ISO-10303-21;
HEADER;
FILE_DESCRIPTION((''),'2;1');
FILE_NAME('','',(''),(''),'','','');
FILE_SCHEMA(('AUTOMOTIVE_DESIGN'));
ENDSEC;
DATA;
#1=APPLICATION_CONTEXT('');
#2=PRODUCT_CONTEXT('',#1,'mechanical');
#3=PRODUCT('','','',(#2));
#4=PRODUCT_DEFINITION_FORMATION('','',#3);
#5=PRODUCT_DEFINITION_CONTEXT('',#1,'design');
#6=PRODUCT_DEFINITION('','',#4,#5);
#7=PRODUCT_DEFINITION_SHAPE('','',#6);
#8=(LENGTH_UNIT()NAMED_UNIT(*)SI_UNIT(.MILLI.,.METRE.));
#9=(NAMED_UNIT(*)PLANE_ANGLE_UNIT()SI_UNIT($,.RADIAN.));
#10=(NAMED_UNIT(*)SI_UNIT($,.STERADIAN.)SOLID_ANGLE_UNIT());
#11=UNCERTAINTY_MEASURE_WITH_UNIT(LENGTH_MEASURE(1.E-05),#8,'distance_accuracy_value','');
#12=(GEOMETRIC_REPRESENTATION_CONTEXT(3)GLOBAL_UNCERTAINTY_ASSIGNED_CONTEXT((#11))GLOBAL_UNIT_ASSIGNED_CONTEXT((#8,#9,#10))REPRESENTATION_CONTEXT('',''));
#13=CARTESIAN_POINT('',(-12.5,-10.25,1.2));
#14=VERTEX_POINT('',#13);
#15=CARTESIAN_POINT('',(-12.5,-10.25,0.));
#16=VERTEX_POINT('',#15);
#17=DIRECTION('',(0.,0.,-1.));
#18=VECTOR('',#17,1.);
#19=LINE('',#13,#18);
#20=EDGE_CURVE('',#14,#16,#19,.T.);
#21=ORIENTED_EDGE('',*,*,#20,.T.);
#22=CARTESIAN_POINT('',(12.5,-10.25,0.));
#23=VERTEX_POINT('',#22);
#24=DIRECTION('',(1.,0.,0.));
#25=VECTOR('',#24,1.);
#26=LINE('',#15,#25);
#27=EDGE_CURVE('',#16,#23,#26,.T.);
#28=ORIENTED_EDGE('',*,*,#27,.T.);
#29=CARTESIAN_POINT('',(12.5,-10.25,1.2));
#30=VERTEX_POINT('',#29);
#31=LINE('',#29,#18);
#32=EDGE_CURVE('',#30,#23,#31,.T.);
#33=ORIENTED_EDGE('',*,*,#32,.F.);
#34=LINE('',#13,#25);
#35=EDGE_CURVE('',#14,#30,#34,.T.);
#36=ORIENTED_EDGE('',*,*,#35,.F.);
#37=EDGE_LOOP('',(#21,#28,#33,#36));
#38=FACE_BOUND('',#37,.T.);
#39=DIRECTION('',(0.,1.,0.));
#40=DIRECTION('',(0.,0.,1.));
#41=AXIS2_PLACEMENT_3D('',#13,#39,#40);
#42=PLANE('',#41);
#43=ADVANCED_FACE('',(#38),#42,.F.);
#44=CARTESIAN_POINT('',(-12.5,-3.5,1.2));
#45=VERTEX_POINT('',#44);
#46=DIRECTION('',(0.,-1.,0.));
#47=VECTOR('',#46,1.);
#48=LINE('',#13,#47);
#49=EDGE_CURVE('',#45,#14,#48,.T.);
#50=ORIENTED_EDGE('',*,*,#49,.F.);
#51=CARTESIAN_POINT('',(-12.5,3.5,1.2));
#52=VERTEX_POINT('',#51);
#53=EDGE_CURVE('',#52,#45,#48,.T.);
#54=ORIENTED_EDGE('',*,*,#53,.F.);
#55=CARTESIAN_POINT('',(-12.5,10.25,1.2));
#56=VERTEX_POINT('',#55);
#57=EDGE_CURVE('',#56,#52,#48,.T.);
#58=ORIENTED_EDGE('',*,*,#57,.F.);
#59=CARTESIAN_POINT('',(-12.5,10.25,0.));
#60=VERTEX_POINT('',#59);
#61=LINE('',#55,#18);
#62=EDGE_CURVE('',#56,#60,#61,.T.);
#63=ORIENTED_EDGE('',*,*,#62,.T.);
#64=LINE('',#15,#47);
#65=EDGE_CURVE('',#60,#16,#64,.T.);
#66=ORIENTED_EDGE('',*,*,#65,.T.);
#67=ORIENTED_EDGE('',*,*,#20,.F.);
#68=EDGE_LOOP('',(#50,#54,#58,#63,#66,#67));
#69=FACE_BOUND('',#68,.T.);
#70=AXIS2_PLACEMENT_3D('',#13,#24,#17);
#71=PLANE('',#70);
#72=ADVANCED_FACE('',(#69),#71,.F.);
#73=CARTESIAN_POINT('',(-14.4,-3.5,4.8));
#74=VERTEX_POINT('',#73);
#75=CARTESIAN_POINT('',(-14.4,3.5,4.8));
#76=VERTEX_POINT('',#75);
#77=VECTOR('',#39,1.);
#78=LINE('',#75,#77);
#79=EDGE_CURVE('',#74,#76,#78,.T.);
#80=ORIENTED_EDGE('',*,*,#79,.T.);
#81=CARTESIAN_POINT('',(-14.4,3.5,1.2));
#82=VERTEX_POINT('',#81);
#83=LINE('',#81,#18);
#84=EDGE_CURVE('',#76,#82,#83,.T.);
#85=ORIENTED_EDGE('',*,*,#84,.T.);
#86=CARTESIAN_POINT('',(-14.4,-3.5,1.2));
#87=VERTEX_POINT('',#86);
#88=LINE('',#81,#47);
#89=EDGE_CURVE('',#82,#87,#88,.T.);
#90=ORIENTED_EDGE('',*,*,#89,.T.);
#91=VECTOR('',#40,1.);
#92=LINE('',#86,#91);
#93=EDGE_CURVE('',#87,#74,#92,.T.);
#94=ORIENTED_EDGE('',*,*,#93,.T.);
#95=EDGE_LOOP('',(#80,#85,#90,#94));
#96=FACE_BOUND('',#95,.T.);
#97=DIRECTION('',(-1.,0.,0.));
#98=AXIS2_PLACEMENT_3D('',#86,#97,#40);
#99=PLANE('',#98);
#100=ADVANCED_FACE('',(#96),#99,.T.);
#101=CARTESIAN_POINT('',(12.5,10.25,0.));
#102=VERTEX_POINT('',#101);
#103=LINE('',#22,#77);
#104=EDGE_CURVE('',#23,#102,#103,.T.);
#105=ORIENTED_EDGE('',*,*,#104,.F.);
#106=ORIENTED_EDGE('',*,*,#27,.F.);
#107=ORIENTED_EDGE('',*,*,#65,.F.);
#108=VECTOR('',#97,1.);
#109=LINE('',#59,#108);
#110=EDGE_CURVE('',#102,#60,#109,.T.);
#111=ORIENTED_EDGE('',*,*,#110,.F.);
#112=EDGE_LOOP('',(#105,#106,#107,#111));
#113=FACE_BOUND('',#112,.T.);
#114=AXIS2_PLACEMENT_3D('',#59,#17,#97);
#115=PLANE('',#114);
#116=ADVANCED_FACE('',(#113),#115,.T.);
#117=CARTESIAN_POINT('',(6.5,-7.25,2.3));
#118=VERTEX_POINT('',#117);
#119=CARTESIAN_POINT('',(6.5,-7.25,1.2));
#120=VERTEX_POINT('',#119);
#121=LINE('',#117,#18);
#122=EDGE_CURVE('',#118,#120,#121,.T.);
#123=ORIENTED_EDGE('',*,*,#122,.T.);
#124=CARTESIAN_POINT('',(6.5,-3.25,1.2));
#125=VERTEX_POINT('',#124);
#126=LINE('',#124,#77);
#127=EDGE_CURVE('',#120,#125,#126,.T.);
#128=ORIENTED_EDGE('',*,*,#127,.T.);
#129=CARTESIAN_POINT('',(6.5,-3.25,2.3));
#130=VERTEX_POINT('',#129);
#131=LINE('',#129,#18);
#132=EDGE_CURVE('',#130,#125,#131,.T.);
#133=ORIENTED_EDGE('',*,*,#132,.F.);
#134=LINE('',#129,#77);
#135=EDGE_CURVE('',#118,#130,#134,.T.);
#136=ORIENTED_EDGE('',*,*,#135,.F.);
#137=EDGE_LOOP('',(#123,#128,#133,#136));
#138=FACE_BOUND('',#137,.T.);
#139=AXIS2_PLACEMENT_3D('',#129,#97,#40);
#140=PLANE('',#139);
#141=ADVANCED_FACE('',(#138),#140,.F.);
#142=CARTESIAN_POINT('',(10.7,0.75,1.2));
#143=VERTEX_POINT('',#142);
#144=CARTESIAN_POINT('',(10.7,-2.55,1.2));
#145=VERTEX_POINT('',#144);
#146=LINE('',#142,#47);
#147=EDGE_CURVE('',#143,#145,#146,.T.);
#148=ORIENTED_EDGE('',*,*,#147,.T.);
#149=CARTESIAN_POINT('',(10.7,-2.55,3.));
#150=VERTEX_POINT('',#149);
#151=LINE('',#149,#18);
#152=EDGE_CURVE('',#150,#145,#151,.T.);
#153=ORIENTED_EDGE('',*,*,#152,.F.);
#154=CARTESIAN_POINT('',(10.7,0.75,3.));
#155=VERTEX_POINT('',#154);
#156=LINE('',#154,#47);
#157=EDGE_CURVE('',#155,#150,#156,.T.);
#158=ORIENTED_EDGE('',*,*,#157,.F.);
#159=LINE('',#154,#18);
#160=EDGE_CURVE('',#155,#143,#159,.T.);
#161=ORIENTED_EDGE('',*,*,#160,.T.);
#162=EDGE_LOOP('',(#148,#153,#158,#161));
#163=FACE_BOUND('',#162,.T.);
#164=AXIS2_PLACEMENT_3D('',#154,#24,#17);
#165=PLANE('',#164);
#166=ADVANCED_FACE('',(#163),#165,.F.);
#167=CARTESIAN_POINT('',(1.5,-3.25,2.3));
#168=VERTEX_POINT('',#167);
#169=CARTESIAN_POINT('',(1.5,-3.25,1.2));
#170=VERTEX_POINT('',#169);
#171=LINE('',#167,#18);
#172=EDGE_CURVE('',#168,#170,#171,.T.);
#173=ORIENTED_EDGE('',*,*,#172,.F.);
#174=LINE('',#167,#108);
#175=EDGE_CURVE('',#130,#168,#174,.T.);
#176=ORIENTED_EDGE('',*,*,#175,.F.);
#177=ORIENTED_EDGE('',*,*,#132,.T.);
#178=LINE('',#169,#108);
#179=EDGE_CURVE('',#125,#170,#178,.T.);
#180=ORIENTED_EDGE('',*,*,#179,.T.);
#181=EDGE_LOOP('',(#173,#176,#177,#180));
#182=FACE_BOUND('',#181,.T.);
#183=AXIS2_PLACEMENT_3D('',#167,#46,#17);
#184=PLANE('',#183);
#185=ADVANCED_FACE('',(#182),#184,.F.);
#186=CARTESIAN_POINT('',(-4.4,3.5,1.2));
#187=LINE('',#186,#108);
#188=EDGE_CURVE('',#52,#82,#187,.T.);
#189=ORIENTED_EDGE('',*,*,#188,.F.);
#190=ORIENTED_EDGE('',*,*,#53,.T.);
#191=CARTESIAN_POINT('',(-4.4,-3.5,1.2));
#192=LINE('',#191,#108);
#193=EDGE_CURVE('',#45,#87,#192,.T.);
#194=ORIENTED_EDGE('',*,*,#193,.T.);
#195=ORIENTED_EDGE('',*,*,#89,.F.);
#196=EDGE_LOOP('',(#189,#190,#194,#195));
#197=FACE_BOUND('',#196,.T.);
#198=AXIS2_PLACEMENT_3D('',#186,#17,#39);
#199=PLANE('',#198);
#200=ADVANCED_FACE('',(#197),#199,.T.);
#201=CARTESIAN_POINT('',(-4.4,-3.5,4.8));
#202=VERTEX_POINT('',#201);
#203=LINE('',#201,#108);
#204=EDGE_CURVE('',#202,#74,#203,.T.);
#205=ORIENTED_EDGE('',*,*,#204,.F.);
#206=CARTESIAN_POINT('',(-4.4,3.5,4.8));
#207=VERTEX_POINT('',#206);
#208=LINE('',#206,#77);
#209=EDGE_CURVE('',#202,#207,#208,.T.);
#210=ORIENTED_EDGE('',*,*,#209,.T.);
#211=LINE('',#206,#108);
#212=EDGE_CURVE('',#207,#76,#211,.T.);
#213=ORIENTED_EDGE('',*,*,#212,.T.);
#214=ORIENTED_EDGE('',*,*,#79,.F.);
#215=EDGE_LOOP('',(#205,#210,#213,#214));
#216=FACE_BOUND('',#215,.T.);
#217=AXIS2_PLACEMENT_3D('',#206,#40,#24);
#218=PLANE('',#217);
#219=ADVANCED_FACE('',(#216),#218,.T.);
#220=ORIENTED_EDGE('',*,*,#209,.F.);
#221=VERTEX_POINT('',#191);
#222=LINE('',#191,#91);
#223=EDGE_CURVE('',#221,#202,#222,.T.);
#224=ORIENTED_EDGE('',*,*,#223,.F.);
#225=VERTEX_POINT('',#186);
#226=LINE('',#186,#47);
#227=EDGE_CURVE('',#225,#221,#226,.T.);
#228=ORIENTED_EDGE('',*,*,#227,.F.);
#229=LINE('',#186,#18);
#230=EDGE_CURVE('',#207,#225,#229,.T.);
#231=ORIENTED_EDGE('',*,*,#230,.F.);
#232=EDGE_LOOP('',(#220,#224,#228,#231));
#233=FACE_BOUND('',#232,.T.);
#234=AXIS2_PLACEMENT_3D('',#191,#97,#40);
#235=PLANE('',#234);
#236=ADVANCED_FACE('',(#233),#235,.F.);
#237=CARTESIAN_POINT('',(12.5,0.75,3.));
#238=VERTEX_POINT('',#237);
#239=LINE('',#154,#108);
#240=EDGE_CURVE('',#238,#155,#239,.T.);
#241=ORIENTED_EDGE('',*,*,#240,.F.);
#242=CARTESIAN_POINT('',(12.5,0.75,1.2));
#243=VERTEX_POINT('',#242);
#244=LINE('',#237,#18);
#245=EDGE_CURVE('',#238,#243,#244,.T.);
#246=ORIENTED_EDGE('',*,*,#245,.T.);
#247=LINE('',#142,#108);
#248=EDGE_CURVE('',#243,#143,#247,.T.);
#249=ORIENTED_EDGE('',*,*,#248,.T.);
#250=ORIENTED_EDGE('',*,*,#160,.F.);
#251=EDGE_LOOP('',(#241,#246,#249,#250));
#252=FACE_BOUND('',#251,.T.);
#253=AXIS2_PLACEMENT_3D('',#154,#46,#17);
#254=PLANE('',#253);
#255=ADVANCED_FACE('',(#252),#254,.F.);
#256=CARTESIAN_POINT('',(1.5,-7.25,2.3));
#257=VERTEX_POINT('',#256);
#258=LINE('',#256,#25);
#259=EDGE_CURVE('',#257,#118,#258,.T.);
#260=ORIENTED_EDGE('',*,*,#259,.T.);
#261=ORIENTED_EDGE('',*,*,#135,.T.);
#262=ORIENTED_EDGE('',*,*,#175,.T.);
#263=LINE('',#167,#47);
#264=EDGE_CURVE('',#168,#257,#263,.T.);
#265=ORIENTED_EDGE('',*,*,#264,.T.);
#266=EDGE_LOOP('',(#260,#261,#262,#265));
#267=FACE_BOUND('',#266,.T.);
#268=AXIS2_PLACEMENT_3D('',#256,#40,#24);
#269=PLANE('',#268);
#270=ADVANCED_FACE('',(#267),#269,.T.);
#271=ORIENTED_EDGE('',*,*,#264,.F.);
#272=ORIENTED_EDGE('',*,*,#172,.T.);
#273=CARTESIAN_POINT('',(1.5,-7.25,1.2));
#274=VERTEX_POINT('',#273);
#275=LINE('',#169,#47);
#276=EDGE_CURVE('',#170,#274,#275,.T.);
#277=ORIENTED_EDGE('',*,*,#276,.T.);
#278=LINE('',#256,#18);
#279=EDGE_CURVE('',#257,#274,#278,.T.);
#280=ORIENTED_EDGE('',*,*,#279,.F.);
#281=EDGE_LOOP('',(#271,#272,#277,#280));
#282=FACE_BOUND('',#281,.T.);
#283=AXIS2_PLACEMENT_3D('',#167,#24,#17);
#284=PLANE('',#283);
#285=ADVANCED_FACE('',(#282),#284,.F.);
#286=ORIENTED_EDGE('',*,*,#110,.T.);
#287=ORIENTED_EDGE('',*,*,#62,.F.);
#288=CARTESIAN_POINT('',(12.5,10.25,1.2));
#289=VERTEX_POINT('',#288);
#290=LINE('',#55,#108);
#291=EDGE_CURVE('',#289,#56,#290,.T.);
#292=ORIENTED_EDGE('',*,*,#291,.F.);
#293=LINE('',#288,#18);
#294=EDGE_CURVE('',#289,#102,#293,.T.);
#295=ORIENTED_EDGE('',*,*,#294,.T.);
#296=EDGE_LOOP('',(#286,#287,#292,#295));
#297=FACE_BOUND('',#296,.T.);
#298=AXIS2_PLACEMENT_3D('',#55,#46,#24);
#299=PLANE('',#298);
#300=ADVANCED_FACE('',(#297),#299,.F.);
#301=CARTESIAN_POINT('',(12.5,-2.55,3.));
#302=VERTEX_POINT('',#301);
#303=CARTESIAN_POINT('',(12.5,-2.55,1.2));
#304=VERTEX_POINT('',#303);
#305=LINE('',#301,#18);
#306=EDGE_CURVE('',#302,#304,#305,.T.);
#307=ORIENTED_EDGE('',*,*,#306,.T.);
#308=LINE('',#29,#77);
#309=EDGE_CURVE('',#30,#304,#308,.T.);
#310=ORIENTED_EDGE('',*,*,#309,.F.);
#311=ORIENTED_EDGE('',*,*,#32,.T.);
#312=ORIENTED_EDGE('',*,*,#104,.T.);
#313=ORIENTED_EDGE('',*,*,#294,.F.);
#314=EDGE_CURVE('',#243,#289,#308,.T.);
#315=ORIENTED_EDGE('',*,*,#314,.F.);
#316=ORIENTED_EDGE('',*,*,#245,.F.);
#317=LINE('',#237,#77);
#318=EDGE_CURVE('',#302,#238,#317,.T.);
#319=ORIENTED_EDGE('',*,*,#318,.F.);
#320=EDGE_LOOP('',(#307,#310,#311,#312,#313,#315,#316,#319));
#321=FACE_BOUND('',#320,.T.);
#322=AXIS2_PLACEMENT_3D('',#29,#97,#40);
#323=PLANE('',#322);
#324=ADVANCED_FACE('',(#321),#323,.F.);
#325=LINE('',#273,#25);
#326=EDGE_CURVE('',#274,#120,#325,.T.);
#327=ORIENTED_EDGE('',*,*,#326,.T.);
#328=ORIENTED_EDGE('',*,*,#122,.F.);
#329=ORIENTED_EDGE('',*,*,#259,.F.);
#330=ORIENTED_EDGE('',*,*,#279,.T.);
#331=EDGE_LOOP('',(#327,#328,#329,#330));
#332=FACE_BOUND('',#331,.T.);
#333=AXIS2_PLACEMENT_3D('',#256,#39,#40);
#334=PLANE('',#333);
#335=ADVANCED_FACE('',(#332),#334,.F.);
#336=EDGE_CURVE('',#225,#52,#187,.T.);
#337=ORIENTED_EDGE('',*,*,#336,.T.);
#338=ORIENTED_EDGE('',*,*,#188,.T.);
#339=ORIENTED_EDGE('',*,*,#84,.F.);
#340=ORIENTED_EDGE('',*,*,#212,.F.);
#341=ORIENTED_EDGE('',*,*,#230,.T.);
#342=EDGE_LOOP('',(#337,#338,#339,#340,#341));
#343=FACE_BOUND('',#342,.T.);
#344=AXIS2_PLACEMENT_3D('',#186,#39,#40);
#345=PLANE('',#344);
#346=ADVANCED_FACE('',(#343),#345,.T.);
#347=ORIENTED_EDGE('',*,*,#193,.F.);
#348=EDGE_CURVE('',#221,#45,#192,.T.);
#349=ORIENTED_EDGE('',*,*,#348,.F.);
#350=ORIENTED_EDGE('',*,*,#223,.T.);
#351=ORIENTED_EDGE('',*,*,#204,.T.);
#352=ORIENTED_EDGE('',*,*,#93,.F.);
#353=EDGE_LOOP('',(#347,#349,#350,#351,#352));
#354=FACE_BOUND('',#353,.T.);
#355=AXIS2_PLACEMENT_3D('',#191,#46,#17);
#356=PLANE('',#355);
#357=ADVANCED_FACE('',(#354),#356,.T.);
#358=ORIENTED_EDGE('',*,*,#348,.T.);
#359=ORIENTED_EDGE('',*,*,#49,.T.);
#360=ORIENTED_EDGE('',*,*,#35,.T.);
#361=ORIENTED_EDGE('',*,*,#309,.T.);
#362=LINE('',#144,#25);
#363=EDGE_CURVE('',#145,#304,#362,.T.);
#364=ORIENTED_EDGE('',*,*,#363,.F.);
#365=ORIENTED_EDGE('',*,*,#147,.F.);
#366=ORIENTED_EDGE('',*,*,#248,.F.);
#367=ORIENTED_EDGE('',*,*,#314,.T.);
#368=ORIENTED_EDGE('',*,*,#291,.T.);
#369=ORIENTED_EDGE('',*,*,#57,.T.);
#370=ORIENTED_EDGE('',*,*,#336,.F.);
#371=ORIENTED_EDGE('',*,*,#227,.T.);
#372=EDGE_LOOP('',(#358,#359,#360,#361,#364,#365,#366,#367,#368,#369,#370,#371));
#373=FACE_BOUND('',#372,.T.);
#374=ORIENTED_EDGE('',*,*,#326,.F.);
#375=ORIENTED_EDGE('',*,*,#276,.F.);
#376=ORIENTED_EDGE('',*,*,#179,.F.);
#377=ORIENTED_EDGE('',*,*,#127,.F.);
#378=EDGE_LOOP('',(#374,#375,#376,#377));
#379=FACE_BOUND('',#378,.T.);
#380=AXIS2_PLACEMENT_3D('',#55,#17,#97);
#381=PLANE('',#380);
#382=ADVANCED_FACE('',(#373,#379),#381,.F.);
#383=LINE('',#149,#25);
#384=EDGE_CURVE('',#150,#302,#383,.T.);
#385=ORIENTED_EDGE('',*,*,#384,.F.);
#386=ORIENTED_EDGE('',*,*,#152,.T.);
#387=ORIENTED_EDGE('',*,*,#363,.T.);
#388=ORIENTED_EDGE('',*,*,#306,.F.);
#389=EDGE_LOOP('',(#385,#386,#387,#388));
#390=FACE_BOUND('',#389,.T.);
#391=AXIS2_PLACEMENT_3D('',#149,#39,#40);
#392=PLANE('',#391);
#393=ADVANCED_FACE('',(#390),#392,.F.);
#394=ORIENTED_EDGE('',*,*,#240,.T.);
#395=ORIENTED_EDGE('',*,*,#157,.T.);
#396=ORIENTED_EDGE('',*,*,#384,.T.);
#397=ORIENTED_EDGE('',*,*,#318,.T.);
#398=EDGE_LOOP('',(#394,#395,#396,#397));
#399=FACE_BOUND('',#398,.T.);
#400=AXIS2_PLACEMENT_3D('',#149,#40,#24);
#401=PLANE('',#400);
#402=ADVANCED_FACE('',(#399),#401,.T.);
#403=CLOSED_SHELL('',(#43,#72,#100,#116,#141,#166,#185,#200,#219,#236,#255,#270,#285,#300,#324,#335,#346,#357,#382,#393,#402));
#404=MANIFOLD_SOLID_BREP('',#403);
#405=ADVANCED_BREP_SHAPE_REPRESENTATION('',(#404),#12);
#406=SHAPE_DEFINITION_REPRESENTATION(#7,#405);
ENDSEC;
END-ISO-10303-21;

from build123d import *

# Parameters (mm, degrees)
SKETCH1_W            = 25
SKETCH1_H            = 20.5
BOSS_EXTRUDE1_DEPTH  = 1.2
USB_START            = 1.9
SKETCH2_W            = 3.6
SKETCH2_H            = 7
USB_CONNECTOR_DEPTH  = 10
SKETCH3_W            = 1.8
SKETCH3_H            = 3.3
MICROPROCESSOR_DEPTH = 1.8
SKETCH4_W            = 5
SKETCH4_H            = 4
BUTTON_BASE_DEPTH    = 1.1


with BuildPart() as part:
    # Sketch1 → Boss-Extrude1 (new body)
    with BuildSketch(Plane.XY):
        Rectangle(SKETCH1_W, SKETCH1_H)
    extrude(amount=BOSS_EXTRUDE1_DEPTH)

    # Sketch2 → USB Connector (add)
    with BuildSketch(Plane.ZY.offset(12.5).offset(USB_START)):
        with Locations((3, 0)):
            Rectangle(SKETCH2_W, SKETCH2_H)
    extrude(amount=-USB_CONNECTOR_DEPTH)

    # Sketch3 → MicroProcessor (add)
    with BuildSketch(Plane.XY.offset(1.2)):
        with Locations((11.6, -0.9)):
            Rectangle(SKETCH3_W, SKETCH3_H)
    extrude(amount=MICROPROCESSOR_DEPTH)

    # Sketch4 → Button Base (add)
    with BuildSketch(Plane.XY.offset(1.2)):
        with Locations((4, -5.25)):
            Rectangle(SKETCH4_W, SKETCH4_H)
    extrude(amount=BUTTON_BASE_DEPTH)


solid = part.part
